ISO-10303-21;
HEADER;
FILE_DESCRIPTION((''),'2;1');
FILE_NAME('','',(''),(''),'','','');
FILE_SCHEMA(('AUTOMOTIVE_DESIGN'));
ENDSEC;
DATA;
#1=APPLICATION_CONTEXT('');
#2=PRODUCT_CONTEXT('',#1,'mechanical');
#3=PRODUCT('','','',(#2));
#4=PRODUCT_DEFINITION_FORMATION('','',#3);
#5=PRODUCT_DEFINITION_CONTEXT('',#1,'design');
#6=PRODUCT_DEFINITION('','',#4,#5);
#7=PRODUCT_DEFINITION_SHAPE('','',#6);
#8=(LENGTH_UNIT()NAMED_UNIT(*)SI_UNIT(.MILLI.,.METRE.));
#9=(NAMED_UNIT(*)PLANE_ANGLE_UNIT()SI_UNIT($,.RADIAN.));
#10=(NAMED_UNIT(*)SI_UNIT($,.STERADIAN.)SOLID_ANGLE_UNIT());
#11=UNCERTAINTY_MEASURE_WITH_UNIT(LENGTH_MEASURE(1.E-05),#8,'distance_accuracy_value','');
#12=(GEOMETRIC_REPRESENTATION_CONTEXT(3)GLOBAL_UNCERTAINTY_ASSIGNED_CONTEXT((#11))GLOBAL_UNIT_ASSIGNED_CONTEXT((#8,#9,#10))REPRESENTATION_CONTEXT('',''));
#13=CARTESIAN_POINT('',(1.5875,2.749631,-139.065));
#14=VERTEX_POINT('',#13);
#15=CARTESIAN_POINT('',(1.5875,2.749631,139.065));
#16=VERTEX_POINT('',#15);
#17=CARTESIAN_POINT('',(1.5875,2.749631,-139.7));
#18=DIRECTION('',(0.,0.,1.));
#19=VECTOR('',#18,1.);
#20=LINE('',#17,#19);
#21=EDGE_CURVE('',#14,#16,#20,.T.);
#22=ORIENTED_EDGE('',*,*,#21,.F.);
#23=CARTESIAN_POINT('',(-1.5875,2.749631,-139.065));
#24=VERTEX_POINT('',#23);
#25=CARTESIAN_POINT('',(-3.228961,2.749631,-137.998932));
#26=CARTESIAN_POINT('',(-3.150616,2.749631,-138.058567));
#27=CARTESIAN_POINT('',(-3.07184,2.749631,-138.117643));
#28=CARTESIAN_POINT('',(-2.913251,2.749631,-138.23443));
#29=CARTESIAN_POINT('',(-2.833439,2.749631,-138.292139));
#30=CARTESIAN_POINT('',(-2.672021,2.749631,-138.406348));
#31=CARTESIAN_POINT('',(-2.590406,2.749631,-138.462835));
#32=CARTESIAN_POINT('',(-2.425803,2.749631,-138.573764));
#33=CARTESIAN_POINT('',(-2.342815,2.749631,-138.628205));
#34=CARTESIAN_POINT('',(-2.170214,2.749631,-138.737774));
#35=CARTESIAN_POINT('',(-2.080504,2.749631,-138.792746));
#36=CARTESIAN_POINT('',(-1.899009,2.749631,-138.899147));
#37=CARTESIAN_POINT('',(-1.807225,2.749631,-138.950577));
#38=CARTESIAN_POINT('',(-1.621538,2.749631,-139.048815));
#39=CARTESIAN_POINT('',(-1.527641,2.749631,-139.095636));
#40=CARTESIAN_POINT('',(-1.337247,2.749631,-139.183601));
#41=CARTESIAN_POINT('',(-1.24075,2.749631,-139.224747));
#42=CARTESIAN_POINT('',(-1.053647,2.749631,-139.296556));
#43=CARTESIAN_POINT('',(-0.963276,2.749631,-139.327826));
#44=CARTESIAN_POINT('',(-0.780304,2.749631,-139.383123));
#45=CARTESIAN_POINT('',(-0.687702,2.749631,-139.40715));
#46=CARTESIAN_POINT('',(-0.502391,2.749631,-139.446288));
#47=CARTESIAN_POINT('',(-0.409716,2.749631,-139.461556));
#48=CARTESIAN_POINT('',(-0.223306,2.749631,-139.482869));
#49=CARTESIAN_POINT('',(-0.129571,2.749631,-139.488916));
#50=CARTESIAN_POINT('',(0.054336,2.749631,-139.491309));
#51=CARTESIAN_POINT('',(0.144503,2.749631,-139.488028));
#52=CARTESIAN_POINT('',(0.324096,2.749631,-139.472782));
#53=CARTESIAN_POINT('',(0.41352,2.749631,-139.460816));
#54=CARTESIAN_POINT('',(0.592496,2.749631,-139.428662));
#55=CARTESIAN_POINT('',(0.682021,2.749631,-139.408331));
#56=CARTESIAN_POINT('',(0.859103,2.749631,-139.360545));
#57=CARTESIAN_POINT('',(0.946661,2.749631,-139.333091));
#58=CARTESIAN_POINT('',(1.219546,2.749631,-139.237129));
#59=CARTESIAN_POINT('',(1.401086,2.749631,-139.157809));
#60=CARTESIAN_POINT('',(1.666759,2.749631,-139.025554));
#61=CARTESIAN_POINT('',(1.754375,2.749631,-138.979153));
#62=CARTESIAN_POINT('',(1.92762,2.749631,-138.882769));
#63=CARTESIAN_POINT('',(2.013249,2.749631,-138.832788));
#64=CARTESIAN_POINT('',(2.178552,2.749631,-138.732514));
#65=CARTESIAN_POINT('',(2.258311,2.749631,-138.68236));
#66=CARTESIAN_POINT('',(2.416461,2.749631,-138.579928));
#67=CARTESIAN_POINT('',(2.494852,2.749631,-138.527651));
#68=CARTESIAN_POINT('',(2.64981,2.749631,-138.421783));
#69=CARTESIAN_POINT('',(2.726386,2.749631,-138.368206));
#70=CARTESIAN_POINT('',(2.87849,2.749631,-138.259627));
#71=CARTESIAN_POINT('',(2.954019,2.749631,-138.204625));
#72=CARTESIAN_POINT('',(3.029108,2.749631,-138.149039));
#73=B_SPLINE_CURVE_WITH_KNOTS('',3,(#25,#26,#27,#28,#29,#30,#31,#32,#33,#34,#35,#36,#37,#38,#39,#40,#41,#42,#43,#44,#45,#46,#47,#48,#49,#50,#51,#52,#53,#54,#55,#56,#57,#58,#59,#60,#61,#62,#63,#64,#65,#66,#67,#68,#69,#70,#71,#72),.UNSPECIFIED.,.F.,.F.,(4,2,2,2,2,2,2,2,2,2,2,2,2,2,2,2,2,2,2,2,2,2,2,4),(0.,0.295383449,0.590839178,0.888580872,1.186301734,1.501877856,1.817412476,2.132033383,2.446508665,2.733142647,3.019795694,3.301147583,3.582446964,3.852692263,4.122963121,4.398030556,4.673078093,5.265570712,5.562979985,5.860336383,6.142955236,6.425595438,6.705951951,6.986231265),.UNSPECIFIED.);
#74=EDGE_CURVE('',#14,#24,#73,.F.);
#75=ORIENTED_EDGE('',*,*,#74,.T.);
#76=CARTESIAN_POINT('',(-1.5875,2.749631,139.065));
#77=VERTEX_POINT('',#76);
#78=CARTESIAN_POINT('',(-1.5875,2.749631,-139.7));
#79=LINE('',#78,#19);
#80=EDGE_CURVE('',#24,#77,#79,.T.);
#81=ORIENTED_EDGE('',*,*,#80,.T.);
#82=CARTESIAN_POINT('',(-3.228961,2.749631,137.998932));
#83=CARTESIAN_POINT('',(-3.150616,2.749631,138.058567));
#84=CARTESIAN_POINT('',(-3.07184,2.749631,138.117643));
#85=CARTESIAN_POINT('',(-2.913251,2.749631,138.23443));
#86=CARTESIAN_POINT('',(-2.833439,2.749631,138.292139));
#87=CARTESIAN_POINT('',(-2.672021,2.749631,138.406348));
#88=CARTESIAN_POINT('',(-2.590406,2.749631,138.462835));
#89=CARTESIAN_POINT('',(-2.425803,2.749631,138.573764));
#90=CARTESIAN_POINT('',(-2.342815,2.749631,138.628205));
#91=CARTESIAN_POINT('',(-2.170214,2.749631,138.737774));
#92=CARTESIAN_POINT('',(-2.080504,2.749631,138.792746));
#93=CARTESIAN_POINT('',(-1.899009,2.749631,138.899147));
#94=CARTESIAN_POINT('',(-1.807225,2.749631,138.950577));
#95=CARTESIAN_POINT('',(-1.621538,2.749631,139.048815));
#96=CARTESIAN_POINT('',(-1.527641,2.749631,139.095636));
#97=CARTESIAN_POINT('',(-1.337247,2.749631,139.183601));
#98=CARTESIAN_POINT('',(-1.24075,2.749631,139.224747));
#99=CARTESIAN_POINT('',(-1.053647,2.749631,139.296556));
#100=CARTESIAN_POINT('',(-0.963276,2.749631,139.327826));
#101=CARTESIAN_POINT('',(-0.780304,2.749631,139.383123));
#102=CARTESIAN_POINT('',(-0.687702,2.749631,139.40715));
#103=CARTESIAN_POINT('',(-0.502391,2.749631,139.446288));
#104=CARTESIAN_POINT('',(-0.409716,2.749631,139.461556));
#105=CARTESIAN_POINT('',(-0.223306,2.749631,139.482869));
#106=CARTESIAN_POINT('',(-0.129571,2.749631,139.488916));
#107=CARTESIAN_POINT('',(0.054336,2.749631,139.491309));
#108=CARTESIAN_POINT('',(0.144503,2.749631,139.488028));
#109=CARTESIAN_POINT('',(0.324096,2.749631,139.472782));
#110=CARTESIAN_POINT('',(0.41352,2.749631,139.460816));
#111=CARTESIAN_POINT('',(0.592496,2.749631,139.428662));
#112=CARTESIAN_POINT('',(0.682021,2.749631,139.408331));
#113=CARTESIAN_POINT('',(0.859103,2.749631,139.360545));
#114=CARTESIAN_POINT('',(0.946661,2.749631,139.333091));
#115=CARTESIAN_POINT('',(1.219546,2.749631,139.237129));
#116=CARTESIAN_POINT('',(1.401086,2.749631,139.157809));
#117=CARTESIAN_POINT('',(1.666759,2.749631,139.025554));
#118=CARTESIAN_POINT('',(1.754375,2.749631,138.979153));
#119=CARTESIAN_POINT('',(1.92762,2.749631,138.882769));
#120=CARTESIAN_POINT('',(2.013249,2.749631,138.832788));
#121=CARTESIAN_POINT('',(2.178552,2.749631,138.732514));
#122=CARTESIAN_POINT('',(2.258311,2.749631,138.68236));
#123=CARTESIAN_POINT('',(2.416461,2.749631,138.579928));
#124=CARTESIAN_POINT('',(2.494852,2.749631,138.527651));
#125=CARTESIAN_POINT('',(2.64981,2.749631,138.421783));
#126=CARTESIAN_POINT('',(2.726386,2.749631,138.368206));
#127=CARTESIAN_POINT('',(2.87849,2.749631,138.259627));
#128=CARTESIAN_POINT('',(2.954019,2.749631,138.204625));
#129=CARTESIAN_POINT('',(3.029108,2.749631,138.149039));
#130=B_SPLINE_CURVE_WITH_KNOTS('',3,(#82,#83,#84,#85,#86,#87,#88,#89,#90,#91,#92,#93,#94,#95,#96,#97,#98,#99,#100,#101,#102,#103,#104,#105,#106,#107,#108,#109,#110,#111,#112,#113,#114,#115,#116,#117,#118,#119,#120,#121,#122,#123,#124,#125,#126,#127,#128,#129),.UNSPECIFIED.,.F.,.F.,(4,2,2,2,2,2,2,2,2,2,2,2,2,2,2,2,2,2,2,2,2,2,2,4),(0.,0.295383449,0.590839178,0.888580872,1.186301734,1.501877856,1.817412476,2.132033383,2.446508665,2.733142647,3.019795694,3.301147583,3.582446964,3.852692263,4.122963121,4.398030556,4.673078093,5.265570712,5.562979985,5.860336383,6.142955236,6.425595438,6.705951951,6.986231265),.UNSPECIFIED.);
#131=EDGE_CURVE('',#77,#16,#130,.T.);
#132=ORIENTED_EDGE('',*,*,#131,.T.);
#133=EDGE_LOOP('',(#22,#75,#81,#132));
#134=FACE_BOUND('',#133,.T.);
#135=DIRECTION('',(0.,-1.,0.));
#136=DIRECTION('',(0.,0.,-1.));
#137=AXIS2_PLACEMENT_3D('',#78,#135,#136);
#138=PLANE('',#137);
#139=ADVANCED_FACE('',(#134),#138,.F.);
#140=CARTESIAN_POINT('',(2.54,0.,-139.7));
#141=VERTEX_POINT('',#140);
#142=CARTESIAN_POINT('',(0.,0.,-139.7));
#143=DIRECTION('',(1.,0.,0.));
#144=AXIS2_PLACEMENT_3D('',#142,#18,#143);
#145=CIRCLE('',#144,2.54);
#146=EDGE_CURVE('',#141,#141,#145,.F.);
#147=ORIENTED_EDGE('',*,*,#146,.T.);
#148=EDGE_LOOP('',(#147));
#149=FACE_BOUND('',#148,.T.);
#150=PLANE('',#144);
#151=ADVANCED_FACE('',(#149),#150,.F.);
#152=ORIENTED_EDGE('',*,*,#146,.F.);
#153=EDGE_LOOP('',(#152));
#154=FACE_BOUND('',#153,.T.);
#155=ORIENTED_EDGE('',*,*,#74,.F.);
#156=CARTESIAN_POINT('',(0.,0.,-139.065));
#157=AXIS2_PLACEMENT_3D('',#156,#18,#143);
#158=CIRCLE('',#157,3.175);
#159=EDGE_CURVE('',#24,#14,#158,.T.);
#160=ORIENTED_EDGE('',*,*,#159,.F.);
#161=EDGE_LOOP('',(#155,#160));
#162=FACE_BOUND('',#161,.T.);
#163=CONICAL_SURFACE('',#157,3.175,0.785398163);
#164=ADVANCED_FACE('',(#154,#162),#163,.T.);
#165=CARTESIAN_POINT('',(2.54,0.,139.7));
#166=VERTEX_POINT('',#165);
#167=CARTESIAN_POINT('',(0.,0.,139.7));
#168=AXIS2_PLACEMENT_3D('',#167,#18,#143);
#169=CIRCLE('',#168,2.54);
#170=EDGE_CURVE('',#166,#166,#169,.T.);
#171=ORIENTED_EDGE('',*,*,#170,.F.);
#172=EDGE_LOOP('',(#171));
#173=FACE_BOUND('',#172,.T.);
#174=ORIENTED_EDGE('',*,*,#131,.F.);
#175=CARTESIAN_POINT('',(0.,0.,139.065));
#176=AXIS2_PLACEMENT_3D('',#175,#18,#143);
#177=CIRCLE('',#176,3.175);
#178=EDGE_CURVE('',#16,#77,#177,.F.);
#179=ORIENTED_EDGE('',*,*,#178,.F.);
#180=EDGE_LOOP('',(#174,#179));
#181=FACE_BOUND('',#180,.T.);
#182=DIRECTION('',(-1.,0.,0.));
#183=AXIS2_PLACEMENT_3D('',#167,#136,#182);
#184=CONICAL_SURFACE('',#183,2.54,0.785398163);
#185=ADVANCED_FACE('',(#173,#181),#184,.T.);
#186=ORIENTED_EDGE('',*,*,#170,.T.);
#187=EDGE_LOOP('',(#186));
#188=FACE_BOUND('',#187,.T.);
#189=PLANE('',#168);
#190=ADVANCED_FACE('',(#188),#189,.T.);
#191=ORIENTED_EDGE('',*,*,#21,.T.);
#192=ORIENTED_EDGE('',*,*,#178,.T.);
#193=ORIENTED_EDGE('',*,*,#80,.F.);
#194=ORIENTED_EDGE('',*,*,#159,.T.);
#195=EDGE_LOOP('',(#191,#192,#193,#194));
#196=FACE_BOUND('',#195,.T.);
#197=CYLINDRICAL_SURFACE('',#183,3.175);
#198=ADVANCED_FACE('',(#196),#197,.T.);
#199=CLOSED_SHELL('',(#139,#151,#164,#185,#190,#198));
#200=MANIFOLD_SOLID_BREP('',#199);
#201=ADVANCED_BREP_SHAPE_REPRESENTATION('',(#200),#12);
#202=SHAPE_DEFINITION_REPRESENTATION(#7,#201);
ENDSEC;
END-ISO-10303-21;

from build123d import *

# Parameters (mm, degrees)
SKETCH1_R           = 3.175
EXTRUDE1_DEPTH      = 139.7
CHAMFER1_SIZE       = 0.635
EXTRUDE7_DEPTH      = 140.7
EXTRUDE7_DEPTH_BACK = 140.7


with BuildPart() as part:
    # Sketch1 → Extrude1 (new body, symmetric)
    with BuildSketch(Plane.XY):
        Circle(SKETCH1_R)
    extrude(amount=EXTRUDE1_DEPTH, both=True)

    # Chamfer1
    chamfer1_edges = [part.edges().sort_by_distance(p)[0] for p in [
        (-3.175, 0, -139.7),
        (-3.175, 0, 139.7),
    ]]
    chamfer(chamfer1_edges, length=CHAMFER1_SIZE)

    # Sketch13 → Extrude7 (cut, two sides)
    with BuildSketch(Plane.XY) as extrude7_sk:
        with BuildLine():
            Line((-1.5875, 2.749630657), (1.5875, 2.749630657))
            ThreePointArc((1.5875, 2.749630657), (0, 3.175), (-1.5875, 2.749630657))
        make_face()
    extrude(amount=EXTRUDE7_DEPTH, mode=Mode.SUBTRACT)
    extrude(extrude7_sk.sketch, amount=-EXTRUDE7_DEPTH_BACK, mode=Mode.SUBTRACT)


solid = part.part
